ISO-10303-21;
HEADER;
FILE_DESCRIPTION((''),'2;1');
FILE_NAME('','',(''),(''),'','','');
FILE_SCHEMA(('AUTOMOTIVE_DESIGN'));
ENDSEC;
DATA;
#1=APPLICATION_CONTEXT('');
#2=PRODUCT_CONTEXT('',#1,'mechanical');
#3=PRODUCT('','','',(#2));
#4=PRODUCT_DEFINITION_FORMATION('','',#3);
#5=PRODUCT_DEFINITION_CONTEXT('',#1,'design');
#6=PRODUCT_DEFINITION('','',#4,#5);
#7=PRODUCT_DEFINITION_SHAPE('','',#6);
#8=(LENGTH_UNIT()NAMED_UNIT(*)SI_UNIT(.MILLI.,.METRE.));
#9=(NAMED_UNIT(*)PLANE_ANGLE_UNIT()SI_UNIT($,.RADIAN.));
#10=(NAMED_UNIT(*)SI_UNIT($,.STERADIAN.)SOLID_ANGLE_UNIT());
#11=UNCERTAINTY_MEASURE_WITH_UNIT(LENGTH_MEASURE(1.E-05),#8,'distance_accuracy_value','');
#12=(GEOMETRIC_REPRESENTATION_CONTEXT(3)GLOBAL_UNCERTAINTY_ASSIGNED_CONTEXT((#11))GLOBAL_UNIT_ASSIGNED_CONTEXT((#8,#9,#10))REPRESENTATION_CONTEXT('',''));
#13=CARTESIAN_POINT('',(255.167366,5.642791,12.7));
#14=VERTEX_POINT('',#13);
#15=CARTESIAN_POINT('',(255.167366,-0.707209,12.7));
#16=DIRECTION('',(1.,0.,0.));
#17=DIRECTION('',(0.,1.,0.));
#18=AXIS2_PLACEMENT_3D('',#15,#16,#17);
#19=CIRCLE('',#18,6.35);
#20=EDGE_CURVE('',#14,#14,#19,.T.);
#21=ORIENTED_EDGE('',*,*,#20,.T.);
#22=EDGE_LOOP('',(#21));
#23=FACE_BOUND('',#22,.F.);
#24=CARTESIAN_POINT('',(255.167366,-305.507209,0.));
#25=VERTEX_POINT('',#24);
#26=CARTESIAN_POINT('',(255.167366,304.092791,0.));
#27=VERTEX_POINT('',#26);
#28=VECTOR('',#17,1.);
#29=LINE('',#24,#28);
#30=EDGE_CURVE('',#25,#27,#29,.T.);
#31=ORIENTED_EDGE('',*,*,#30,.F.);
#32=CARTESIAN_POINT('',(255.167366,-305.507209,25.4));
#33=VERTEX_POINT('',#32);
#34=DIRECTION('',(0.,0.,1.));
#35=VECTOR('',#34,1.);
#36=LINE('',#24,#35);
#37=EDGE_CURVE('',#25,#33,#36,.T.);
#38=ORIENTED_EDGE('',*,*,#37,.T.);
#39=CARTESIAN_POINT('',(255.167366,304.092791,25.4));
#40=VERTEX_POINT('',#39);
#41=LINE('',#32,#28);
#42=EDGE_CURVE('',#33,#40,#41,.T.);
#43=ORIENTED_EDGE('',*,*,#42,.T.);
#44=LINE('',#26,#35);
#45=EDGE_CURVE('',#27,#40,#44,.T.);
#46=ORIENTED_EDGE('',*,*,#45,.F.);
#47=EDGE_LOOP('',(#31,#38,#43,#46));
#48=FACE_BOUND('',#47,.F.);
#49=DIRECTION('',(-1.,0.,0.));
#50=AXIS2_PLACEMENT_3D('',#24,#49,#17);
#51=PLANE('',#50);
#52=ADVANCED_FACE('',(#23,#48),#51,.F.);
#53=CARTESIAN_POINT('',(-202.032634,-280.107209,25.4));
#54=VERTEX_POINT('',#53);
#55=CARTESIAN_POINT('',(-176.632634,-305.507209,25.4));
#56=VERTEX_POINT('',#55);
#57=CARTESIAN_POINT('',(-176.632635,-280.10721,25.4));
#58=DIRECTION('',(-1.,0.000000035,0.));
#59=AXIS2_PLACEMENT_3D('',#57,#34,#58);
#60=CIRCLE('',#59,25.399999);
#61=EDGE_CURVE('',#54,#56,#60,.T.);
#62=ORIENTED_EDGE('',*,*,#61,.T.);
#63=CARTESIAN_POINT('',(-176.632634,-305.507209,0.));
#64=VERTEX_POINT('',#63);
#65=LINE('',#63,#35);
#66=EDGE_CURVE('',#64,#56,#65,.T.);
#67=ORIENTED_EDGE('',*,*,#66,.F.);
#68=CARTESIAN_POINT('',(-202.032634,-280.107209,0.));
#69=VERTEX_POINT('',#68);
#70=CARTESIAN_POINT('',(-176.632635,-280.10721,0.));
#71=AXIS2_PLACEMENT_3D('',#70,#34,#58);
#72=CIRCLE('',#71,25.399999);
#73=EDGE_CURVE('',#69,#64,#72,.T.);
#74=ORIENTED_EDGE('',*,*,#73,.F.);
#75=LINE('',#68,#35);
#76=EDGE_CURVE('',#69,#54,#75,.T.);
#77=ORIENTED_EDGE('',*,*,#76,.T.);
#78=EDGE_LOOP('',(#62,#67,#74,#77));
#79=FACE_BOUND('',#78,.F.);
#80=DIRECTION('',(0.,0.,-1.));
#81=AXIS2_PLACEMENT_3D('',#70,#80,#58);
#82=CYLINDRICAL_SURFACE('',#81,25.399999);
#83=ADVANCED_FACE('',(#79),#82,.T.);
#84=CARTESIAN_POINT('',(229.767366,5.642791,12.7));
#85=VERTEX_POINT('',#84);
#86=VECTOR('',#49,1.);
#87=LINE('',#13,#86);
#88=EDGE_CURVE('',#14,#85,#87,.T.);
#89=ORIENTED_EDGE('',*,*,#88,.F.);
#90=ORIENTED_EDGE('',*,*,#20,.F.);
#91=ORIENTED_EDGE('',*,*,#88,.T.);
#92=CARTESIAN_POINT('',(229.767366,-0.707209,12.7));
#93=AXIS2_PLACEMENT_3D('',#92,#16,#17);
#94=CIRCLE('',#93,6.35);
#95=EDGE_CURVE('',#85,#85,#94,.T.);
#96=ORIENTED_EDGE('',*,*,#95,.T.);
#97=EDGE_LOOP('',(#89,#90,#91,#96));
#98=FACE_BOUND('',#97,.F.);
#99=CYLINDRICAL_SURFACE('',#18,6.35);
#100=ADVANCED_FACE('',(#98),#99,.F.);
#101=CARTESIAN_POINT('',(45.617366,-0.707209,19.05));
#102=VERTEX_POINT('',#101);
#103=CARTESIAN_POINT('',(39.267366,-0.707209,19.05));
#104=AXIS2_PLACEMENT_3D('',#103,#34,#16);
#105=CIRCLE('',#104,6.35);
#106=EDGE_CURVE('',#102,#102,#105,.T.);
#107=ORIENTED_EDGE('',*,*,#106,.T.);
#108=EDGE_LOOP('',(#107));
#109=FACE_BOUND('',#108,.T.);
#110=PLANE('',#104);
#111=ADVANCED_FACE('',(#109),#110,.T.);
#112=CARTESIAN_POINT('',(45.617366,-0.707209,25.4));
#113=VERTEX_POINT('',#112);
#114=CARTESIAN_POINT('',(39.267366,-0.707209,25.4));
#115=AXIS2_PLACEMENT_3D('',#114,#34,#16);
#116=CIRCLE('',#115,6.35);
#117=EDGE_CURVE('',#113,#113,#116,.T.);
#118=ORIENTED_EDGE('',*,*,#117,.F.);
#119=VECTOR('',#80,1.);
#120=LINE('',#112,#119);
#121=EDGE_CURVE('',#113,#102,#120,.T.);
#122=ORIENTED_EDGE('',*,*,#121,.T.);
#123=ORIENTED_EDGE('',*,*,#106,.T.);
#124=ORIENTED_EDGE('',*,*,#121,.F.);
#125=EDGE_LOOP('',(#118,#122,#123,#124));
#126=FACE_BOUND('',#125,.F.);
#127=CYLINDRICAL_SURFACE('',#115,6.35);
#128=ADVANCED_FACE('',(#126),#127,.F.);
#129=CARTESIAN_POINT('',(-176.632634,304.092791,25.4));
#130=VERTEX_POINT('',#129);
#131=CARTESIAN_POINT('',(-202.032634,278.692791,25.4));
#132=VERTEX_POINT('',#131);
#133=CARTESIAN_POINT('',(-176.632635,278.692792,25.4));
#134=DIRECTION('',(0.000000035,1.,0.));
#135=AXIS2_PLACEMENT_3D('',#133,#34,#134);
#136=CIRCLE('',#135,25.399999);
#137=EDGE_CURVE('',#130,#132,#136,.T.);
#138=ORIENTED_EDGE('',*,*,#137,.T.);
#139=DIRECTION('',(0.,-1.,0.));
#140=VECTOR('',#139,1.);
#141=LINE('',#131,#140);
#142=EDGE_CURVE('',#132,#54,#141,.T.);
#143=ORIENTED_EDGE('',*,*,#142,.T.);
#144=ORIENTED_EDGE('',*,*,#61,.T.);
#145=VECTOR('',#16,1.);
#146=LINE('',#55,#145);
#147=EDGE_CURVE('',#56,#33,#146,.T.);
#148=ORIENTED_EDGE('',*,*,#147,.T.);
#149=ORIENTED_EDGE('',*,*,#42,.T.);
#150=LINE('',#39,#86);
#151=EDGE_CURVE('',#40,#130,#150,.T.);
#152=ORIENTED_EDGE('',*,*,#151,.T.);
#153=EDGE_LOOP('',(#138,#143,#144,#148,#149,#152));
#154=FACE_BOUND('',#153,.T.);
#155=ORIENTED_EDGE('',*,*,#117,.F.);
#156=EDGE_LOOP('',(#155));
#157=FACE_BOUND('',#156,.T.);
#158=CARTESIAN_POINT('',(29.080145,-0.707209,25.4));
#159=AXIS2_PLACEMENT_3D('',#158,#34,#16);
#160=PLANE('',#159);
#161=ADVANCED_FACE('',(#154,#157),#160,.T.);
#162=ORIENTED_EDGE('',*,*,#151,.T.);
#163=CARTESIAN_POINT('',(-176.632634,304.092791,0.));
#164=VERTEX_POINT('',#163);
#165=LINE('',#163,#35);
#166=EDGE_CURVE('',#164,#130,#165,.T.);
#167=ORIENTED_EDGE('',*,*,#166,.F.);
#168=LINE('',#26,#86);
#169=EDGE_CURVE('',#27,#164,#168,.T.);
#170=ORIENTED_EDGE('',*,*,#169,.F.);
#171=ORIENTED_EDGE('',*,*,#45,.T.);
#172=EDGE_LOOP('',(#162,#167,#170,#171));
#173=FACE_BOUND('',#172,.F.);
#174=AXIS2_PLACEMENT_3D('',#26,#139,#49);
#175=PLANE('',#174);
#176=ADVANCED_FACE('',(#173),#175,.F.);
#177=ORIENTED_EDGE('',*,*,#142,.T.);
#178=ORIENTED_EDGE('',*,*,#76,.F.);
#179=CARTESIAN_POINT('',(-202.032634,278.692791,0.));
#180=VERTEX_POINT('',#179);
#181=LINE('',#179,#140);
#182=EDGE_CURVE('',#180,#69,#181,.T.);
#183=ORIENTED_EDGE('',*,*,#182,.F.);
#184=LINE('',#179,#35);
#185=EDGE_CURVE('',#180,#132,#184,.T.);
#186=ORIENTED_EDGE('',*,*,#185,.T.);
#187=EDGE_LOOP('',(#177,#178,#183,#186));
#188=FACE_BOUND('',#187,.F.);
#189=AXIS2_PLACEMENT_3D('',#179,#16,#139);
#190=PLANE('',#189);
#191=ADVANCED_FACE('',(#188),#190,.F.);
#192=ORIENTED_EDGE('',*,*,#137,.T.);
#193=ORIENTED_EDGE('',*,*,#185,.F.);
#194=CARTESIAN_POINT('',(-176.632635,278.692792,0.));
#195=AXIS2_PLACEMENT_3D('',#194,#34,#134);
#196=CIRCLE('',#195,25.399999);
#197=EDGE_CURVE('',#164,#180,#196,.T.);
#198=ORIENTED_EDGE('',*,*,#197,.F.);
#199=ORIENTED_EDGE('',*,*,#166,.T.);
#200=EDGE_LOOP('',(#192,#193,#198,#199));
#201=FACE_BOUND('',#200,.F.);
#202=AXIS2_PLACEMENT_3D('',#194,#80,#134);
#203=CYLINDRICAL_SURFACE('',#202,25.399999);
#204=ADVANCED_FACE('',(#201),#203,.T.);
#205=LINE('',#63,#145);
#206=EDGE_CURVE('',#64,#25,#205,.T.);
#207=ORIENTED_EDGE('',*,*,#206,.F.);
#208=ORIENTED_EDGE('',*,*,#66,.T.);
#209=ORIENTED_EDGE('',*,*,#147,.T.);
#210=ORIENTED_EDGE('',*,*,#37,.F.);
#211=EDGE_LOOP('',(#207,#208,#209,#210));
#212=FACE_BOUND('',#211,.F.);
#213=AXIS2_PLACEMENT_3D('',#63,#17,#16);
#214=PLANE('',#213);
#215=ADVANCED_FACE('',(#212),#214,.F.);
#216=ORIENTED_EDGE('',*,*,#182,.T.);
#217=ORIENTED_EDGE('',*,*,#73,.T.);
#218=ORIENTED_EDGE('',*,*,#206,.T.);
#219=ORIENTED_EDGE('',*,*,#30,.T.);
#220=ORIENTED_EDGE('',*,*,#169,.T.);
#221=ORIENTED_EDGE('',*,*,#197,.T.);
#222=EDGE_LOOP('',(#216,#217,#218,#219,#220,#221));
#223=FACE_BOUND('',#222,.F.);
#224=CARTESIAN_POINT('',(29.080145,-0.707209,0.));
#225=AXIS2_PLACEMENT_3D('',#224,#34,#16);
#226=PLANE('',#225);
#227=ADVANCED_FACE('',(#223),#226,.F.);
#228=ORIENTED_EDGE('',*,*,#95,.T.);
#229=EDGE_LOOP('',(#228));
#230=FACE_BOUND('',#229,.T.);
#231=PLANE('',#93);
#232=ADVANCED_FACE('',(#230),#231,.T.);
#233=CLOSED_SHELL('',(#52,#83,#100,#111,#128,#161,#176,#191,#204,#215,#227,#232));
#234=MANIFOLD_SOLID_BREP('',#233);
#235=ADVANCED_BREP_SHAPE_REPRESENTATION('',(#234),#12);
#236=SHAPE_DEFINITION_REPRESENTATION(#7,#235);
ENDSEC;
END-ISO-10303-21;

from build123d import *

# Parameters (mm, degrees)
F1_DEPTH = 25.4
F2_R     = 6.35
F3_DEPTH = 25.4
F4_R     = 6.35
F5_DEPTH = 6.35


with BuildPart() as f1:
    # F0 (on Top) → F1 (new body)
    with BuildSketch(Plane.XY):
        with BuildLine():
            Line((255.167366, -305.507209), (255.167366, 304.092791))
            Line((255.167366, 304.092791), (-176.632634, 304.092791))
            ThreePointArc((-176.632634, 304.092791), (-194.593147, 296.653303), (-202.032634, 278.692791))
            Line((-202.032634, 278.692791), (-202.032634, -280.107209))
            ThreePointArc((-202.032634, -280.107209), (-194.593147, -298.067721), (-176.632634, -305.507209))
            Line((-176.632634, -305.507209), (255.167366, -305.507209))
        make_face()
    extrude(amount=F1_DEPTH)

    # F2 (on face) → F3 (cut)
    with BuildSketch(Plane.YZ.offset(255.167366)):
        with Locations((-0.707209, 12.7)):
            Circle(F2_R)
    extrude(amount=-F3_DEPTH, mode=Mode.SUBTRACT)

    # F4 (on face) → F5 (cut)
    with BuildSketch(Plane.XY.offset(25.4)):
        with Locations((39.267366, -0.707209)):
            Circle(F4_R)
    extrude(amount=-F5_DEPTH, mode=Mode.SUBTRACT)


solid = f1.part
